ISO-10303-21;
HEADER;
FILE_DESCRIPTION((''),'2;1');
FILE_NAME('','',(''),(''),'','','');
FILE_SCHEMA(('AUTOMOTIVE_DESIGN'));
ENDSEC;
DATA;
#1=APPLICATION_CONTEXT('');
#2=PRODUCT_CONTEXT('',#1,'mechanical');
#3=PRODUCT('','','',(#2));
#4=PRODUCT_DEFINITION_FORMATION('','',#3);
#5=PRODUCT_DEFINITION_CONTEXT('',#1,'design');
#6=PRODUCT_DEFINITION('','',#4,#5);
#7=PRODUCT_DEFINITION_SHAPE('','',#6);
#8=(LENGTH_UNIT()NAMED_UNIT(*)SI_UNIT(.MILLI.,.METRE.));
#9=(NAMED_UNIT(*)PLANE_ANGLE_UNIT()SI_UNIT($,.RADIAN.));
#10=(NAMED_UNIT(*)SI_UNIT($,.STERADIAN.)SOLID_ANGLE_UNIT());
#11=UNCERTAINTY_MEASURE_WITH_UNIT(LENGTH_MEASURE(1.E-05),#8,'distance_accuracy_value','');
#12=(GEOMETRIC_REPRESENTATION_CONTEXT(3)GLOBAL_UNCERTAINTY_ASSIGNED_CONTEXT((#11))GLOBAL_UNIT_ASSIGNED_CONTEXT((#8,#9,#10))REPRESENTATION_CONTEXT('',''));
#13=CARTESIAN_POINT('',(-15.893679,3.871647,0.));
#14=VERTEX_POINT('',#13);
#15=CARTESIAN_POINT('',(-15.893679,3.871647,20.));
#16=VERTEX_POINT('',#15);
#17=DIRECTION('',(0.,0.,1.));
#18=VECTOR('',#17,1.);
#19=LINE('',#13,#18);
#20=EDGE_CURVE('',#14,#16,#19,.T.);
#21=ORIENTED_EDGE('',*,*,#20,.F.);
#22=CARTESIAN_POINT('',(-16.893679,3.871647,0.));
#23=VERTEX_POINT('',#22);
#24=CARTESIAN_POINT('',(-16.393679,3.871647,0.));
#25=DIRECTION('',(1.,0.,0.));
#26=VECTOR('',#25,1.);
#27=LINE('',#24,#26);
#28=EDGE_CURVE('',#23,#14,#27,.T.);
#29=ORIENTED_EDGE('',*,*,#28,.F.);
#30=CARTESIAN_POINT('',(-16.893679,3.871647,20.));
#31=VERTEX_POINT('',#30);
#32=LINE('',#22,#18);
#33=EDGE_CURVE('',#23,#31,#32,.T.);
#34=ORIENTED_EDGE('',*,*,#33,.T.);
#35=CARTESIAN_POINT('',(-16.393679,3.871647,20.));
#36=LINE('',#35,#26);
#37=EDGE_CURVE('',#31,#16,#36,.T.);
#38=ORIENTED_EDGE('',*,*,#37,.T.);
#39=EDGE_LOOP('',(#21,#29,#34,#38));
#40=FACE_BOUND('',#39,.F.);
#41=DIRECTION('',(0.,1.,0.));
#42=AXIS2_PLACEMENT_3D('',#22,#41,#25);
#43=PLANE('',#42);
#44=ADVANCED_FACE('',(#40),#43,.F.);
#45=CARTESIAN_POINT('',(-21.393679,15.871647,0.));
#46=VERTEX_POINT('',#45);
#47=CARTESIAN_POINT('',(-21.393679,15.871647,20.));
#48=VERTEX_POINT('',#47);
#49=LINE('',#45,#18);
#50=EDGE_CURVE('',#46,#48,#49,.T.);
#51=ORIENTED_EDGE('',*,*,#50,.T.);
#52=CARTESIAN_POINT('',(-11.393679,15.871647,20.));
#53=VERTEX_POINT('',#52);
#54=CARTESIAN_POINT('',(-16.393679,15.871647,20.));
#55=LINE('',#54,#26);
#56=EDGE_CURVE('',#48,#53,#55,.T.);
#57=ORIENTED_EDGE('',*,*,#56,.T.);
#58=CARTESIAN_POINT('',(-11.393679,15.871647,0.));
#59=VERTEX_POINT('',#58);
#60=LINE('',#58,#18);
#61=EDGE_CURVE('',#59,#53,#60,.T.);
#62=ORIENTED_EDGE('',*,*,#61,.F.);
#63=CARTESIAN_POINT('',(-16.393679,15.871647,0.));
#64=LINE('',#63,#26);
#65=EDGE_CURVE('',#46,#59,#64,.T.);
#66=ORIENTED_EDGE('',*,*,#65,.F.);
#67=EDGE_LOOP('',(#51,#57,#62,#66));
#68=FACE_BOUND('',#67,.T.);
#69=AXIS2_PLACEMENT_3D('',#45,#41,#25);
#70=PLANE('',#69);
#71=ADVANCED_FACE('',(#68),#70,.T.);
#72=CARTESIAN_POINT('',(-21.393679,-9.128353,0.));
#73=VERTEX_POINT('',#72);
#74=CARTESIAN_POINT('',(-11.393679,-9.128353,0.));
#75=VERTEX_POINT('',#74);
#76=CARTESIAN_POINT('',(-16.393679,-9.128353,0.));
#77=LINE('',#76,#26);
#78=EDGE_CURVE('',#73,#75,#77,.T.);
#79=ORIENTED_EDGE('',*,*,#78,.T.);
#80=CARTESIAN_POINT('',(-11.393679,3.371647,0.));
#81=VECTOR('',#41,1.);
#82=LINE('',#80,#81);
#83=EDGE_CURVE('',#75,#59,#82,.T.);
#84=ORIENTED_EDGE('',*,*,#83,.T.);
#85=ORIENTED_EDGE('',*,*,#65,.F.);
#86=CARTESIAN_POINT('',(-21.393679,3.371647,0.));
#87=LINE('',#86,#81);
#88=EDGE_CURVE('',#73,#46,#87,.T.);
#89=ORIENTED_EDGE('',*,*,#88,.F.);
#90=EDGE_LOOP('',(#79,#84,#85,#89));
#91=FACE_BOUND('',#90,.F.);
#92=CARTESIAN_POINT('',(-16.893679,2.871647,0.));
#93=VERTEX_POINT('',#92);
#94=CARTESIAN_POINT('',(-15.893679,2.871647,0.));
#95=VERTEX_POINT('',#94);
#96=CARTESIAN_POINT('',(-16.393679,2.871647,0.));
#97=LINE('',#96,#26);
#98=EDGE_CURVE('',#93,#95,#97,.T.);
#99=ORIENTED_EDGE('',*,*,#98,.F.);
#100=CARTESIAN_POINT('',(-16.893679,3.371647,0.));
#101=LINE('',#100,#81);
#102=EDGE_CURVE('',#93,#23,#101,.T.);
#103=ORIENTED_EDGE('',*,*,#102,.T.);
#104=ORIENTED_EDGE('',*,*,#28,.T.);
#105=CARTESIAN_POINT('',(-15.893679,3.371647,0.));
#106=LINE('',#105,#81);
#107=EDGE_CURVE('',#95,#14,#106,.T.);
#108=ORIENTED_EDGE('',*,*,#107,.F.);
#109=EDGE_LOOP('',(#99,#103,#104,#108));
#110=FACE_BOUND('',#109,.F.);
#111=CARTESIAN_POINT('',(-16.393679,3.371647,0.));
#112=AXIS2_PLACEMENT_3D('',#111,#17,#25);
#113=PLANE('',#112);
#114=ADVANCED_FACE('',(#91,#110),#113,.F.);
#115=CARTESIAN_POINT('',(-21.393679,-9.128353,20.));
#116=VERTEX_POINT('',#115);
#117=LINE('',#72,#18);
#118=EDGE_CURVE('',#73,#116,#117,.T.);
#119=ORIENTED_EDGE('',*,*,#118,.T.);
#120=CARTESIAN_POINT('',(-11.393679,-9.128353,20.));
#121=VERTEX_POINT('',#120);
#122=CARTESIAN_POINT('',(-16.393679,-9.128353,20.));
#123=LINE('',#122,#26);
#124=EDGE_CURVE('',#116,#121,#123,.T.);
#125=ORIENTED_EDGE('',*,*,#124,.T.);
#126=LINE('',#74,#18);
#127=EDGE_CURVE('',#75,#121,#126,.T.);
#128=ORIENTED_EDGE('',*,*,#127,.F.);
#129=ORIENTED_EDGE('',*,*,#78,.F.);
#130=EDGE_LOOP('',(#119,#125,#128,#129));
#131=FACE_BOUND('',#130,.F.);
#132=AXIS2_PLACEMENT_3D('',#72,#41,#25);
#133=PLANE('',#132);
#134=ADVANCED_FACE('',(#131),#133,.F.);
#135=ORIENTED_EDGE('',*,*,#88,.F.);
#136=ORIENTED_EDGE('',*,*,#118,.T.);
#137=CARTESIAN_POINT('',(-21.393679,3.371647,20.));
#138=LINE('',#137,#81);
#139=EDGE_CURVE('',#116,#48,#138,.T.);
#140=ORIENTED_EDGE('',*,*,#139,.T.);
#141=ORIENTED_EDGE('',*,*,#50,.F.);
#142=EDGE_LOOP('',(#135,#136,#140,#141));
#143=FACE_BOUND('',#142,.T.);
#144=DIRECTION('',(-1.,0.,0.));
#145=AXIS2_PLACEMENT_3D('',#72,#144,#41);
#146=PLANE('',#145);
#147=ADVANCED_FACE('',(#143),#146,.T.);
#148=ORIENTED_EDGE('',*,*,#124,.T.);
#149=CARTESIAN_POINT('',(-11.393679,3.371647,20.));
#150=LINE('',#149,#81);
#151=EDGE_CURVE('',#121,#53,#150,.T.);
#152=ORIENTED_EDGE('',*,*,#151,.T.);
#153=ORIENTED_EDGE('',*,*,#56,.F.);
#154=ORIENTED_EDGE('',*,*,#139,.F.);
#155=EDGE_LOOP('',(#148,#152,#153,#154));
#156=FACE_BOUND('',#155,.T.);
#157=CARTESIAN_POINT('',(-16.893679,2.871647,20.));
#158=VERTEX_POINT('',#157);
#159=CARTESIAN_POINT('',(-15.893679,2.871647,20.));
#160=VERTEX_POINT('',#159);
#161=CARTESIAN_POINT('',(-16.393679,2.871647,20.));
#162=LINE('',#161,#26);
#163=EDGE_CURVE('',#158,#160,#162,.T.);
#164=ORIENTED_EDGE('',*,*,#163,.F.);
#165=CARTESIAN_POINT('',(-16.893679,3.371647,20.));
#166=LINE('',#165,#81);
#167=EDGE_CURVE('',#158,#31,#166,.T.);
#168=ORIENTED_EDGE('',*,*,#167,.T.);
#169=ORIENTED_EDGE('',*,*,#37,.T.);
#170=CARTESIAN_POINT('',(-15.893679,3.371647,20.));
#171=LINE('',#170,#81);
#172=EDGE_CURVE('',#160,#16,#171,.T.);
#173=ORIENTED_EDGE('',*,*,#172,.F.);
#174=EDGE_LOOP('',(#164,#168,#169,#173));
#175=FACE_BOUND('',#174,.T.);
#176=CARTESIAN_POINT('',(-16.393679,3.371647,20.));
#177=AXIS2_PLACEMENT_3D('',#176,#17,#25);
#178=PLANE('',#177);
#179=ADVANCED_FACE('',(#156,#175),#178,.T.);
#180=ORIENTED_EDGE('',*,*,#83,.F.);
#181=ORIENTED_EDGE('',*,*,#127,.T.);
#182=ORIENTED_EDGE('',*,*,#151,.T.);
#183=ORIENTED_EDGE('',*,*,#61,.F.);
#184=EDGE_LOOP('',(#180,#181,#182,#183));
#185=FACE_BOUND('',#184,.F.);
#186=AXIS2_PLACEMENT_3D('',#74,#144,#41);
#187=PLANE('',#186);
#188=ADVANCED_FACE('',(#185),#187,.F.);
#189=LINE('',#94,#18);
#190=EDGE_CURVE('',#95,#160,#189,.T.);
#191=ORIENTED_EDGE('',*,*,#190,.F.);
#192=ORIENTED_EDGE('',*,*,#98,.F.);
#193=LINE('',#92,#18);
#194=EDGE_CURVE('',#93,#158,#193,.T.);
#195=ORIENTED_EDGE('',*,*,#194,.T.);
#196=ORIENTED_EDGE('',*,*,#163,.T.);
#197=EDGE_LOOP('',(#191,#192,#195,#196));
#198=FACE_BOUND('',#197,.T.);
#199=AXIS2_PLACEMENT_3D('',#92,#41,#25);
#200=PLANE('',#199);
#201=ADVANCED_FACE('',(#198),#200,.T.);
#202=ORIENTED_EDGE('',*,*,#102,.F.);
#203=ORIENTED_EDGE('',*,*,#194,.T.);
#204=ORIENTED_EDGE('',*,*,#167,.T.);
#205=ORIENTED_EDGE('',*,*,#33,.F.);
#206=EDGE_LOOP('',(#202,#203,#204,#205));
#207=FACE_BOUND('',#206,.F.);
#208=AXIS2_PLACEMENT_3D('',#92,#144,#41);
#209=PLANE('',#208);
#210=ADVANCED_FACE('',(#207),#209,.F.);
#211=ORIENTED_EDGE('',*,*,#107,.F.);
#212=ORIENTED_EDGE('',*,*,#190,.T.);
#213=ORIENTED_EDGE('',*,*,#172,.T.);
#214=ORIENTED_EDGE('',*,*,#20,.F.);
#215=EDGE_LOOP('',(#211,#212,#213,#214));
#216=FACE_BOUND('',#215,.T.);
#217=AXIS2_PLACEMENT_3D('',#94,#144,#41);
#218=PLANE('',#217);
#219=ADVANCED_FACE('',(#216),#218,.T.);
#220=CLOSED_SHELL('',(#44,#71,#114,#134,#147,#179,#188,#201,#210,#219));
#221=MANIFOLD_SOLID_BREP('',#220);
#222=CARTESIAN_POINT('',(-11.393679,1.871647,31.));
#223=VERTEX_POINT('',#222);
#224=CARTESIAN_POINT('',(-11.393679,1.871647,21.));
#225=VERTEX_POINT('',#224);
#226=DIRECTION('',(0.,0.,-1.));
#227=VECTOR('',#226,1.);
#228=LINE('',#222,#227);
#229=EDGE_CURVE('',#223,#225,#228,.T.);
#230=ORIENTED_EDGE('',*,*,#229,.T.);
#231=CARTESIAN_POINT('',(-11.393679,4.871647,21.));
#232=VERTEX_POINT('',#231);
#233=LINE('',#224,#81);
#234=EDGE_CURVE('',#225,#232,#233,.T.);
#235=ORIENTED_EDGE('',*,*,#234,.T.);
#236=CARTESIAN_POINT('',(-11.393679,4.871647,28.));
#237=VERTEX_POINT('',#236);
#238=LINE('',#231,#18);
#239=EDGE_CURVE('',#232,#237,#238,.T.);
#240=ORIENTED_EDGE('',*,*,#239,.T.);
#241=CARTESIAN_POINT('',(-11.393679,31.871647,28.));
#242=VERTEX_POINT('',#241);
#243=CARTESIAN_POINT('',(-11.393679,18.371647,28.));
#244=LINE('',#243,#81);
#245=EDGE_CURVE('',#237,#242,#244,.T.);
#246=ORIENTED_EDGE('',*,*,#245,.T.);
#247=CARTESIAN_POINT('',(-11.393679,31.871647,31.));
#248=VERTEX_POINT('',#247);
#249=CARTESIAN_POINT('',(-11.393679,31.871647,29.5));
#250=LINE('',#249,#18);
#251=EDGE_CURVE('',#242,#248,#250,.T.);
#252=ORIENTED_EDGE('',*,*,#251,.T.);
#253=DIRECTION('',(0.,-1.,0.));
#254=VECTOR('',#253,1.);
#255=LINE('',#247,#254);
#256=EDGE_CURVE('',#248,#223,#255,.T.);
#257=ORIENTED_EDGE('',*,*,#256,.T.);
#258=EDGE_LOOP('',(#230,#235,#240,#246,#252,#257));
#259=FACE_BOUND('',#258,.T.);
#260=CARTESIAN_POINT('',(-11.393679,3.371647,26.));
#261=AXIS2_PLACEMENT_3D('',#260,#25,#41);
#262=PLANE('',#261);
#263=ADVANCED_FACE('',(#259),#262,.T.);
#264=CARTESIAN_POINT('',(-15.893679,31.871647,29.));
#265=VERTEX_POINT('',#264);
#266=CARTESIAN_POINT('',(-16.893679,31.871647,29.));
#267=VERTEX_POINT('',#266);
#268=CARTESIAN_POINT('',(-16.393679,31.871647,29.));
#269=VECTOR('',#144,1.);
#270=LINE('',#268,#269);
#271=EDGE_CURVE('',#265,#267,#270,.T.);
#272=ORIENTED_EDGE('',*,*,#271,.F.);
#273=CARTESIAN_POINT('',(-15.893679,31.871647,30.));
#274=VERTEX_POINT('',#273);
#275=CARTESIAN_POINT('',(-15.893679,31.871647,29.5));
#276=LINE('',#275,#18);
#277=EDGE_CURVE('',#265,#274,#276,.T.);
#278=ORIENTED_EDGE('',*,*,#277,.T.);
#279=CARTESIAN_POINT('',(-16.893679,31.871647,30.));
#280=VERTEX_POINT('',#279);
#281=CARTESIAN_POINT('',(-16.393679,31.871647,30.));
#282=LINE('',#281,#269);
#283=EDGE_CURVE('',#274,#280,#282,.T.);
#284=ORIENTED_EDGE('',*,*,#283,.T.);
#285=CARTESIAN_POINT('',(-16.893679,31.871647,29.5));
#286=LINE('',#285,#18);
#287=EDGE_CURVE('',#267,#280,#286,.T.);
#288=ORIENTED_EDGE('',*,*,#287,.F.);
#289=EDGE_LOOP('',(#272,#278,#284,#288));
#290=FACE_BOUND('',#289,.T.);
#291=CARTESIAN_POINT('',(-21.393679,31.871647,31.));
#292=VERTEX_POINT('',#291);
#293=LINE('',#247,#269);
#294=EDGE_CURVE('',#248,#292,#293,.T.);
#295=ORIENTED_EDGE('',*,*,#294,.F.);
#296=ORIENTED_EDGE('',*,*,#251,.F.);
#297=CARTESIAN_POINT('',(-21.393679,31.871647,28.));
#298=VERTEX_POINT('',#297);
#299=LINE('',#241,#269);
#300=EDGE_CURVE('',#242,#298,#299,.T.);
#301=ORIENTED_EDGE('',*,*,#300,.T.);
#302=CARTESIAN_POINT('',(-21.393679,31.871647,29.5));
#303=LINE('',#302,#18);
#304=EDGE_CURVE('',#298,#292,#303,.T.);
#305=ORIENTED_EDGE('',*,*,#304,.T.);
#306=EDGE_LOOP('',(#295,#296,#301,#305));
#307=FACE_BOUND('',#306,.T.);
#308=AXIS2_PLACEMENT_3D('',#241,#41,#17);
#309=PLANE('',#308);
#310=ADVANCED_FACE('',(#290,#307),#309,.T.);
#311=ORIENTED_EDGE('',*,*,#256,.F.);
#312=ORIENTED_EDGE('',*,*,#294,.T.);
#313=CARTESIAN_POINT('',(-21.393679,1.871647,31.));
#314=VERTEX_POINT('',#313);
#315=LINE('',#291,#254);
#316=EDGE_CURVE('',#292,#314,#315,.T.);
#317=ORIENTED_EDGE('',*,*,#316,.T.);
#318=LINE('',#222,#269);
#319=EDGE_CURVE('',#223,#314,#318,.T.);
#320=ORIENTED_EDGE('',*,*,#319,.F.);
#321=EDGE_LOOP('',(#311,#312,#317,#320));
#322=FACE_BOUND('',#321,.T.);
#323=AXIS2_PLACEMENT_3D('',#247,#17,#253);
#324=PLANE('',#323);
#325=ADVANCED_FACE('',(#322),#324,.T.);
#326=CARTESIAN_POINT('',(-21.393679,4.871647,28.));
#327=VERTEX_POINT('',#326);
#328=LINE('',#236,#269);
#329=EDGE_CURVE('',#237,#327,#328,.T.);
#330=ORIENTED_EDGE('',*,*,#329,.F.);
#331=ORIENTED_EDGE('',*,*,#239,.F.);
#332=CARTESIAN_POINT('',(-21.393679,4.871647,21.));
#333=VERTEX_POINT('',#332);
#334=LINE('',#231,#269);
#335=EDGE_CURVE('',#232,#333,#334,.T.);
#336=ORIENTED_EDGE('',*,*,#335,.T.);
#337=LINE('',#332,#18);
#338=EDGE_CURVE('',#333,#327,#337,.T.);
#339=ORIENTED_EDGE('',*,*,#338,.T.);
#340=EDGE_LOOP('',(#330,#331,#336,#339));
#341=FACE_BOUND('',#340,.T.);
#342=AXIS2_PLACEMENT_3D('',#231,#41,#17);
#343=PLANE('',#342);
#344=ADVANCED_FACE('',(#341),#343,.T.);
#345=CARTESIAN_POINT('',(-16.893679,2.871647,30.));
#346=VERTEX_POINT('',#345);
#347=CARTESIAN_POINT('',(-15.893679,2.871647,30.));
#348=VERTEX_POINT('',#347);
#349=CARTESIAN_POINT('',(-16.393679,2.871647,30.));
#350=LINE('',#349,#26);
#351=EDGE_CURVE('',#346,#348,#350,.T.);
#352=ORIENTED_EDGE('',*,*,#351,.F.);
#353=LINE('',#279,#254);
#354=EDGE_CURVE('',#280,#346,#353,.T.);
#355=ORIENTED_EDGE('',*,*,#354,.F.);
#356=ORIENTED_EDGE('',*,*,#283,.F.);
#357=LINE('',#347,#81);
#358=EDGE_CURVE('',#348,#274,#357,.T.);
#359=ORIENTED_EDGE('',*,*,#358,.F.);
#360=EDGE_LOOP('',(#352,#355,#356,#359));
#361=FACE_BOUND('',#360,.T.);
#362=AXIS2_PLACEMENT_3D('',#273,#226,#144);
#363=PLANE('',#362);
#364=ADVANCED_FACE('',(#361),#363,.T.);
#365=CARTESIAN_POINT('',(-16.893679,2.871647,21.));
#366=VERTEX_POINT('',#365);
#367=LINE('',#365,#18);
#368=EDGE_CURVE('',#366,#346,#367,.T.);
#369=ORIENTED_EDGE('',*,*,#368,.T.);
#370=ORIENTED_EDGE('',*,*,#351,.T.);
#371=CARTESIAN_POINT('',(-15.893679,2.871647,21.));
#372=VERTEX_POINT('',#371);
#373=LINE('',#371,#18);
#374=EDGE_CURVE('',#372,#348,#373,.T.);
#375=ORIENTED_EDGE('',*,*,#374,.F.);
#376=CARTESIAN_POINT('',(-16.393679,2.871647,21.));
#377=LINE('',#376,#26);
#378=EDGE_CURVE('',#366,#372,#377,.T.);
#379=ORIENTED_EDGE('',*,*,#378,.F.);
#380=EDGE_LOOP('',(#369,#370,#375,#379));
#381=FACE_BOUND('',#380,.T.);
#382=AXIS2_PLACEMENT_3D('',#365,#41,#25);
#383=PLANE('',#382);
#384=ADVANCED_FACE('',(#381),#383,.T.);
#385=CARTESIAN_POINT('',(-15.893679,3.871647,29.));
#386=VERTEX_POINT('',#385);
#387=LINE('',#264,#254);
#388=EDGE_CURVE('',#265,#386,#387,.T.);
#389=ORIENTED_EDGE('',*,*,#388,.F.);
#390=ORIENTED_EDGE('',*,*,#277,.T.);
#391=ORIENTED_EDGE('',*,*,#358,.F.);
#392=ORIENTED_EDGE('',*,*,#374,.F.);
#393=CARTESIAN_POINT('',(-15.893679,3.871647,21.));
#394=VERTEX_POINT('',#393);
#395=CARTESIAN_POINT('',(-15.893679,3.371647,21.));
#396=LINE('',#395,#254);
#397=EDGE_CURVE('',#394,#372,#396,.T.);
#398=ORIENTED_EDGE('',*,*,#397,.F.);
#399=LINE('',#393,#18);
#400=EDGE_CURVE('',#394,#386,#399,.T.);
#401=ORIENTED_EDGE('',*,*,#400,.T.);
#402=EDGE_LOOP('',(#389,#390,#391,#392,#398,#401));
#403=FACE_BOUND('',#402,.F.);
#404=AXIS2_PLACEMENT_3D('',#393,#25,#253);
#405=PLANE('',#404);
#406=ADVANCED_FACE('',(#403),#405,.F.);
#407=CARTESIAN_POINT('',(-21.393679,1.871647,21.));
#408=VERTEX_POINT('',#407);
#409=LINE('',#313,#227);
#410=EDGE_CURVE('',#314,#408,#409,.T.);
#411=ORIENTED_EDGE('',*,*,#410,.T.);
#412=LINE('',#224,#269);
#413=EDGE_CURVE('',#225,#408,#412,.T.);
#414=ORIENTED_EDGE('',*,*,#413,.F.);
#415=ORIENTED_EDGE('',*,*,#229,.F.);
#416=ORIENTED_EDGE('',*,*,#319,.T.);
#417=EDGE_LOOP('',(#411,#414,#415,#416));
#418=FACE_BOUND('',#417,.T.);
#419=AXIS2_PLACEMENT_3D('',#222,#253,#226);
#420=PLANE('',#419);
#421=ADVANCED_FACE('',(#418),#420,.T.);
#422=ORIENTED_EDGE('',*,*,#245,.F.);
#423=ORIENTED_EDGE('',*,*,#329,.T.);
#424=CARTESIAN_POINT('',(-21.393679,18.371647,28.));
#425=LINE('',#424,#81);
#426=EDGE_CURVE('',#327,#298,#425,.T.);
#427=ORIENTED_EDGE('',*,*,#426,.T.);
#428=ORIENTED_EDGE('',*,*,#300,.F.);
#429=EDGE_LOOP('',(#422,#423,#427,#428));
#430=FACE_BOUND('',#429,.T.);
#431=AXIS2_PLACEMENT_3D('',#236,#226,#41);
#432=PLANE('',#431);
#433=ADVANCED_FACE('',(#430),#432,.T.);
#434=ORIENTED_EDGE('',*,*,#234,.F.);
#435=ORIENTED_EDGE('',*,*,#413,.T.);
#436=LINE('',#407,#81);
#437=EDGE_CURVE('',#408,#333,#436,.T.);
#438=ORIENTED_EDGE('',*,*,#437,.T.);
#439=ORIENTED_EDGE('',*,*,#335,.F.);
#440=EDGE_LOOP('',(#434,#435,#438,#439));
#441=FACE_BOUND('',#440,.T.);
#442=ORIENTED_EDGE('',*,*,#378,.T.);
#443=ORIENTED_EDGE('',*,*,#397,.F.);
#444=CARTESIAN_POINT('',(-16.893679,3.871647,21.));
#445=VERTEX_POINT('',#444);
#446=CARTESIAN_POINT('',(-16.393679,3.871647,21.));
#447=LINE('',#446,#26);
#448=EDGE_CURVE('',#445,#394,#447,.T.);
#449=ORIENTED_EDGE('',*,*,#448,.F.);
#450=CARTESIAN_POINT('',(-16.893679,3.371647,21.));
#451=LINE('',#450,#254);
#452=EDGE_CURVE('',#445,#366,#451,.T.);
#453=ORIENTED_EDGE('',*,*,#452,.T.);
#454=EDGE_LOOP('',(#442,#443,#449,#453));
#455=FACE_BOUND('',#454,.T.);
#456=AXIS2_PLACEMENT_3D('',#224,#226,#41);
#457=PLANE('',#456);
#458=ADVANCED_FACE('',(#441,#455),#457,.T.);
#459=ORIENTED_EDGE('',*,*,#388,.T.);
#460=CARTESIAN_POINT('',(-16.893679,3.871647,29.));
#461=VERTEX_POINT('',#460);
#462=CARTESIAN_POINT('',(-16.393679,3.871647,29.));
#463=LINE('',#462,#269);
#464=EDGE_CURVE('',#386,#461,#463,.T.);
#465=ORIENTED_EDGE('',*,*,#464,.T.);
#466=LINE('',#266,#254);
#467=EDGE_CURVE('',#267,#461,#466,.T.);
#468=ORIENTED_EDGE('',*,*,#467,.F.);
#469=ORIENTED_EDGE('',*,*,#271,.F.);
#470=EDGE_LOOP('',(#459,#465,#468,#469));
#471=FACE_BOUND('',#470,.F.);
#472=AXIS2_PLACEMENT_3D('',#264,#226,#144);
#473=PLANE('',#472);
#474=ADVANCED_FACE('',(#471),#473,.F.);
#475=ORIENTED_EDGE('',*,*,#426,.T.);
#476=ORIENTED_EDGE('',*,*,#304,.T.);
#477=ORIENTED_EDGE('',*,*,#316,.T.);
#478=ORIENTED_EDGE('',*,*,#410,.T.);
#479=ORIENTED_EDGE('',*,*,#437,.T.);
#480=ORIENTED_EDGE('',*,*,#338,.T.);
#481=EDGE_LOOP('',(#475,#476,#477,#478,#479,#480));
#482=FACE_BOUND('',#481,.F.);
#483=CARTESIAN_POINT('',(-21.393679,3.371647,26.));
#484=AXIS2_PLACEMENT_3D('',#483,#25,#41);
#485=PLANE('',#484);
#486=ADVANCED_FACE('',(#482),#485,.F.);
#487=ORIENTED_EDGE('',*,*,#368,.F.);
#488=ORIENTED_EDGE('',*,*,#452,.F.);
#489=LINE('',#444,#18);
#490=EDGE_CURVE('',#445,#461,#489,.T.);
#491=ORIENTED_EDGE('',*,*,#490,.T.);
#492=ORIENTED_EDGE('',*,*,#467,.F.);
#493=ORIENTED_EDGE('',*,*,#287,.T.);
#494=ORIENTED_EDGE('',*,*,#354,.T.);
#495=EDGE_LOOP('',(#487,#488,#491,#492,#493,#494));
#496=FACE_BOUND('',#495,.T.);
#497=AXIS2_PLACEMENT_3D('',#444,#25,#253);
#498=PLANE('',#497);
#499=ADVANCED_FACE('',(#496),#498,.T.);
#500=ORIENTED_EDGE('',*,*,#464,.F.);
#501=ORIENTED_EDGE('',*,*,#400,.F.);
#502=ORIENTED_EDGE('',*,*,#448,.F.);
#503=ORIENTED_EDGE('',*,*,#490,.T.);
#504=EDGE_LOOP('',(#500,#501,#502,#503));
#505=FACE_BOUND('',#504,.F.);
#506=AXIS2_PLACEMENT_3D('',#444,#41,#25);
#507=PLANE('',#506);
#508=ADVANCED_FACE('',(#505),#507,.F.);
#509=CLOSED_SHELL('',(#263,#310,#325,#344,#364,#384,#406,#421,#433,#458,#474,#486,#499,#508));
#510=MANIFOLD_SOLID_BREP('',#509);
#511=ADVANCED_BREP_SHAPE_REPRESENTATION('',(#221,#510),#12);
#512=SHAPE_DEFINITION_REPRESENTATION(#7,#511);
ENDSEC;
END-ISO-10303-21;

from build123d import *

# Parameters (mm, degrees)
F0_W     = 10
F0_H     = 25
F0_W_2   = 1
F0_H_2   = 1
F1_DEPTH = 20
F2_W     = 27
F2_H     = 3
F3_DEPTH = 10
F4_W     = 1
F4_H     = 1
F5_DEPTH = 9
F6_W     = 1
F6_H     = 1
F7_DEPTH = 29


with BuildPart() as f1:
    # F0 (on Top) → F1 (new body)
    with BuildSketch(Plane.XY):
        with Locations((-16.393679, 3.371647)):
            Rectangle(F0_W, F0_H)
        with Locations((-16.393679, 3.371647)):
            Rectangle(F0_W_2, F0_H_2, mode=Mode.SUBTRACT)
    extrude(amount=F1_DEPTH)


with BuildPart() as f3:
    # F2 (on face) → F3 (new body)
    with BuildSketch(Plane.YZ.offset(-11.393679)):
        Polygon((1.871647, 31), (1.871647, 21), (4.871647, 21), (4.871647, 28), (4.871647, 31), align=None)
        with Locations((18.371647, 29.5)):
            Rectangle(F2_W, F2_H)
    extrude(amount=-F3_DEPTH)

    # F4 (on face) → F5 (cut)
    with BuildSketch(Plane(origin=(0, 0, 21), x_dir=(1, 0, 0), z_dir=(0, 0, -1))):
        with Locations((-16.393679, -3.371647)):
            Rectangle(F4_W, F4_H)
    extrude(amount=-F5_DEPTH, mode=Mode.SUBTRACT)

    # F6 (on face) → F7 (cut)
    with BuildSketch(Plane(origin=(0, 31.871647, 0), x_dir=(-1, 0, 0), z_dir=(0, 1, 0))):
        with Locations((16.393679, 29.5)):
            Rectangle(F6_W, F6_H)
    extrude(amount=-F7_DEPTH, mode=Mode.SUBTRACT)


solid = Compound([f1.part, f3.part])
